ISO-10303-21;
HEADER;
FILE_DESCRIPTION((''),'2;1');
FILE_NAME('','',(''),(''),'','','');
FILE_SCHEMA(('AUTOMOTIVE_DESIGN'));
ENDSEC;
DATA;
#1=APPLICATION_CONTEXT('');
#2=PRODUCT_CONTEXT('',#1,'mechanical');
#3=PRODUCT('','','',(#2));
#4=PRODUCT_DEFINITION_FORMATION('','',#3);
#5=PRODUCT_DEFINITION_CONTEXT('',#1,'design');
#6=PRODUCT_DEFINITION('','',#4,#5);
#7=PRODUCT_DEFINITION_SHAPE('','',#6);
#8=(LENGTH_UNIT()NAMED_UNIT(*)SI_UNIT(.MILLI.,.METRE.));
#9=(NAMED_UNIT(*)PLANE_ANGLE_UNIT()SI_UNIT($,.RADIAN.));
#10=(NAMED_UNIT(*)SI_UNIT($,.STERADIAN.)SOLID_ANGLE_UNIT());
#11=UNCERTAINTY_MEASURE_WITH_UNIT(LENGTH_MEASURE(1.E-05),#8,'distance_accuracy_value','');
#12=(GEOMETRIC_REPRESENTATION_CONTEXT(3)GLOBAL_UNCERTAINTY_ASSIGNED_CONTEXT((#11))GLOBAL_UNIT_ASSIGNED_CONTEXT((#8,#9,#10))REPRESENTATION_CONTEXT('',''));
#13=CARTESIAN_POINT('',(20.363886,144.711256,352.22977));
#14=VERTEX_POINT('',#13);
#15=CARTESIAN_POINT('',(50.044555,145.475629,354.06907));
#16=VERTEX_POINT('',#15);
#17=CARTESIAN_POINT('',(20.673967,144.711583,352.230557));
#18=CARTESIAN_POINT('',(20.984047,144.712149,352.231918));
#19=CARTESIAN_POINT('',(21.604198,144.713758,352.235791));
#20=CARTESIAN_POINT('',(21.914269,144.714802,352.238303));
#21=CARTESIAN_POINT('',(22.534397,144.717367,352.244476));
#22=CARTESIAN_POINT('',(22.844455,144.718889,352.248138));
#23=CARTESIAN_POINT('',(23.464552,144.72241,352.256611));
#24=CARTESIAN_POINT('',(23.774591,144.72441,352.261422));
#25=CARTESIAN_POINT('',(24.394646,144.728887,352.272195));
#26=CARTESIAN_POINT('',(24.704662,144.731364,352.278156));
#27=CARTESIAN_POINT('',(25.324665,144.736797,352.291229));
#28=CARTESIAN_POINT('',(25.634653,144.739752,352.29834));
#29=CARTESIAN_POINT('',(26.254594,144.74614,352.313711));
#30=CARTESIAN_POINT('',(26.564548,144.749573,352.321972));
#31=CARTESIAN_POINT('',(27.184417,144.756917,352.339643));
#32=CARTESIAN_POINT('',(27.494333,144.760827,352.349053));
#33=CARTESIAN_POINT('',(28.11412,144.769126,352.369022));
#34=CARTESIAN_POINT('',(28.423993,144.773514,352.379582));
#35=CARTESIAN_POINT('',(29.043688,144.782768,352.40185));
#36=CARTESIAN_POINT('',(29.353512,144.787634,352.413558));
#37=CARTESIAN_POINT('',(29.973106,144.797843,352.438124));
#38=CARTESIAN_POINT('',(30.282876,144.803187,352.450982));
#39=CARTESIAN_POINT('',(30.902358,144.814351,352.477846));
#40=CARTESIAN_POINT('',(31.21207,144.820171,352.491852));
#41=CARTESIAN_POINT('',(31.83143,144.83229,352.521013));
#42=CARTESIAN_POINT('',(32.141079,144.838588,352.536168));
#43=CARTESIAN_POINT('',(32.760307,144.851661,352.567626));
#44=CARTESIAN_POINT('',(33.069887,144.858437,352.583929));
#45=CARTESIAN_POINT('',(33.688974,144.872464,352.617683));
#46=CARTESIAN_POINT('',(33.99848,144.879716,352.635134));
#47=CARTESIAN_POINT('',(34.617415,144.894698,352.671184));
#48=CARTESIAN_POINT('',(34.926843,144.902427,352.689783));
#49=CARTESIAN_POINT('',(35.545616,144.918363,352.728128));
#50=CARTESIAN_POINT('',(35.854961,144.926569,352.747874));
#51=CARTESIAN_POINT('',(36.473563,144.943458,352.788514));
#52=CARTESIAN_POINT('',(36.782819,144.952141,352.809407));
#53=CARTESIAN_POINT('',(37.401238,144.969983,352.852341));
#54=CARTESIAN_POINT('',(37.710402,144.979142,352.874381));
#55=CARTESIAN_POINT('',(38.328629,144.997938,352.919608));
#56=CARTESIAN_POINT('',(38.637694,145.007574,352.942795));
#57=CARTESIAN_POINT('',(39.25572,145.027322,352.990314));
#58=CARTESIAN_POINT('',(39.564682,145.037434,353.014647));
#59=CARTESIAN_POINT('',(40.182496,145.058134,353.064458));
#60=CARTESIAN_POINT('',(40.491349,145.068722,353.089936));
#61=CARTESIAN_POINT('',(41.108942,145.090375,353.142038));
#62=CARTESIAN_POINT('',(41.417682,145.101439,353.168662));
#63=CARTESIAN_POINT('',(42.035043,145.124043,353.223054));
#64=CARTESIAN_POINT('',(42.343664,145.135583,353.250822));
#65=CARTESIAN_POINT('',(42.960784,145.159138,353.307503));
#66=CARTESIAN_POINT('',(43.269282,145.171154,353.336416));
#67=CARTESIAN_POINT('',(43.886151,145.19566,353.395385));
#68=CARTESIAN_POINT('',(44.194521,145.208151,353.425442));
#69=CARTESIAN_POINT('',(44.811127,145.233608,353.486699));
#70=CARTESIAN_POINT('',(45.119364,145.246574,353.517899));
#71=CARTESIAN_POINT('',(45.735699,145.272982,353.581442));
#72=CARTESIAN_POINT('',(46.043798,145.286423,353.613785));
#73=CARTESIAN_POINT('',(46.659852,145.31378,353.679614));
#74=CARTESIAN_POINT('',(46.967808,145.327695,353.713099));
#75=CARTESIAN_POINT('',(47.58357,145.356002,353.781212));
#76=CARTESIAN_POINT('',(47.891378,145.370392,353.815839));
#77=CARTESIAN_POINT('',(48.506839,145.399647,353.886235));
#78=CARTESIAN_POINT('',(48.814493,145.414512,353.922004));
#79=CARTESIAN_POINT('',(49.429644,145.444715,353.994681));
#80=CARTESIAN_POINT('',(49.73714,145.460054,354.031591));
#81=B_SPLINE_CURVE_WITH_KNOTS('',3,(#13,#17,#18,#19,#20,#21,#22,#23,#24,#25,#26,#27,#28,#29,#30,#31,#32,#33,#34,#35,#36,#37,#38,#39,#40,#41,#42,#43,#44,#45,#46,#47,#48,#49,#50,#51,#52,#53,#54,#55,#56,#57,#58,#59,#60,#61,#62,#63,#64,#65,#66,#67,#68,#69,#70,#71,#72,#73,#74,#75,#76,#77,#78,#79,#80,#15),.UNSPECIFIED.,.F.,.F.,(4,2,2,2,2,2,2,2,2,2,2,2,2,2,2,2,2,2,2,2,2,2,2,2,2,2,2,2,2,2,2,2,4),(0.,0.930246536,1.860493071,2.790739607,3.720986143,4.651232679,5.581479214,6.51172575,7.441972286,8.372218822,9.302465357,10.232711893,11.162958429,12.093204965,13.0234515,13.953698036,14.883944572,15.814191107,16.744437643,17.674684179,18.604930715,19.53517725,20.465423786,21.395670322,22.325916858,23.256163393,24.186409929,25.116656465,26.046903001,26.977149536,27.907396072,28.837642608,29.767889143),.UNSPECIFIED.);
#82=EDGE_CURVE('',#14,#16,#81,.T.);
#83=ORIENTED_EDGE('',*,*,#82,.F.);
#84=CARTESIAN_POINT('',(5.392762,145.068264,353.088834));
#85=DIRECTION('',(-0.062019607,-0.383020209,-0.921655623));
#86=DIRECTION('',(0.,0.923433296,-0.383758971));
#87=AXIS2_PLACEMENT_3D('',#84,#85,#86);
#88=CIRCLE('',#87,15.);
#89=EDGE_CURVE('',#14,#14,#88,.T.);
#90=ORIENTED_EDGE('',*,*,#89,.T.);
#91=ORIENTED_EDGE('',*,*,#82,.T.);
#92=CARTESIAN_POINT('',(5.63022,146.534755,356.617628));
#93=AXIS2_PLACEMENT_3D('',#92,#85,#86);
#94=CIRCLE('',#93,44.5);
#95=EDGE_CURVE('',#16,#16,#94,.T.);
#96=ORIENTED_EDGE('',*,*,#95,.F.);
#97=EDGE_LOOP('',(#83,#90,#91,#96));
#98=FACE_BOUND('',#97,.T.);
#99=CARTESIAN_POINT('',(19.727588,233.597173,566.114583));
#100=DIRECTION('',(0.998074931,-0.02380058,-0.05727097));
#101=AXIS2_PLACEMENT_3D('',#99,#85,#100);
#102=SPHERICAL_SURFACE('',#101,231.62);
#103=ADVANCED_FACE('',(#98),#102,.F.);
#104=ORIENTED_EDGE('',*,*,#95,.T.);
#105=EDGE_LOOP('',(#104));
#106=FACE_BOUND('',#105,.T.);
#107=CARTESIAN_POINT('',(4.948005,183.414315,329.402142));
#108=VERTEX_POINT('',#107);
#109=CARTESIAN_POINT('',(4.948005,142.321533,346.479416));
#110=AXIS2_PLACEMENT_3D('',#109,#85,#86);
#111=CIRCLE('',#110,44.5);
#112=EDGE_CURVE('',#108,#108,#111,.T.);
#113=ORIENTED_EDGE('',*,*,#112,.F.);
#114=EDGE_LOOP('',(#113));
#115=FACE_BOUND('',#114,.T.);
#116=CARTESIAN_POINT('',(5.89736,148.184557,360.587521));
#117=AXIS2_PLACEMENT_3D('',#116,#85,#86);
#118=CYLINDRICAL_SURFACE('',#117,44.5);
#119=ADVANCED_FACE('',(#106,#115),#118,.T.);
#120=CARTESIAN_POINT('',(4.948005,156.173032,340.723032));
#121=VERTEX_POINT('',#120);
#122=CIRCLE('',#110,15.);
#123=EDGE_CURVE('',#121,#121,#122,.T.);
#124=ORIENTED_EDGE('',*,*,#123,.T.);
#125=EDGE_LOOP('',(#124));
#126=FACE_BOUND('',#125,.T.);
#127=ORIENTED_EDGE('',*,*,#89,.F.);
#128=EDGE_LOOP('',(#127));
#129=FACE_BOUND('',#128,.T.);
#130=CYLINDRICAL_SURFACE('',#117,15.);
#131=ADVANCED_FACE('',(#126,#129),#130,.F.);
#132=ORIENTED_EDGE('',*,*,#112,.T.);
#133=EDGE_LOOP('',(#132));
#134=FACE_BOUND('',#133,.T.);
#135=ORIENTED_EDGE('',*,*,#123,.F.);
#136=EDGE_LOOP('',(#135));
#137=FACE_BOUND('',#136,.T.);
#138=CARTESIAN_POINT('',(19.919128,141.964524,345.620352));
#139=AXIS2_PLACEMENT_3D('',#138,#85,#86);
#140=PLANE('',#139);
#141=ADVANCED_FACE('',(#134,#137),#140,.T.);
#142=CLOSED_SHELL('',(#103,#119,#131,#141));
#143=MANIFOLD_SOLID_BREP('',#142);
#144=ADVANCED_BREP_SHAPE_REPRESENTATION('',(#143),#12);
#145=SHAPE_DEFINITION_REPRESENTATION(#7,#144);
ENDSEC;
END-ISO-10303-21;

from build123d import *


with BuildPart() as part:
    # Esquisse1 → Révolution1 (revolve)
    with BuildSketch(Plane(origin=(0, -1.422218517, 0.591043356), x_dir=(1, 0, 0), z_dir=(0, -0.9234332960375348, 0.3837589709300026)), mode=Mode.PRIVATE) as r_volution1_sk:
        with BuildLine():
            Line((19.919128476, 373.637500416), (49.362338948, 371.807922022))
            Line((49.362338948, 371.807922022), (50.04455462, 382.786746266))
            ThreePointArc((50.04455462, 382.786746266), (35.236229934, 381.313857331), (20.363886252, 380.794939989))
            Line((20.363886252, 380.794939989), (19.919128476, 373.637500416))
        make_face()
    revolve(r_volution1_sk.sketch.rotate(Axis((5.897360303, 148.184557064, 360.587521222), (-0.06201960656725181, -0.3830202085297551, -0.9216556234619665)), 270), axis=Axis((5.897360303, 148.184557064, 360.587521222), (-0.06201960656725181, -0.3830202085297551, -0.9216556234619665)))


solid = part.part
